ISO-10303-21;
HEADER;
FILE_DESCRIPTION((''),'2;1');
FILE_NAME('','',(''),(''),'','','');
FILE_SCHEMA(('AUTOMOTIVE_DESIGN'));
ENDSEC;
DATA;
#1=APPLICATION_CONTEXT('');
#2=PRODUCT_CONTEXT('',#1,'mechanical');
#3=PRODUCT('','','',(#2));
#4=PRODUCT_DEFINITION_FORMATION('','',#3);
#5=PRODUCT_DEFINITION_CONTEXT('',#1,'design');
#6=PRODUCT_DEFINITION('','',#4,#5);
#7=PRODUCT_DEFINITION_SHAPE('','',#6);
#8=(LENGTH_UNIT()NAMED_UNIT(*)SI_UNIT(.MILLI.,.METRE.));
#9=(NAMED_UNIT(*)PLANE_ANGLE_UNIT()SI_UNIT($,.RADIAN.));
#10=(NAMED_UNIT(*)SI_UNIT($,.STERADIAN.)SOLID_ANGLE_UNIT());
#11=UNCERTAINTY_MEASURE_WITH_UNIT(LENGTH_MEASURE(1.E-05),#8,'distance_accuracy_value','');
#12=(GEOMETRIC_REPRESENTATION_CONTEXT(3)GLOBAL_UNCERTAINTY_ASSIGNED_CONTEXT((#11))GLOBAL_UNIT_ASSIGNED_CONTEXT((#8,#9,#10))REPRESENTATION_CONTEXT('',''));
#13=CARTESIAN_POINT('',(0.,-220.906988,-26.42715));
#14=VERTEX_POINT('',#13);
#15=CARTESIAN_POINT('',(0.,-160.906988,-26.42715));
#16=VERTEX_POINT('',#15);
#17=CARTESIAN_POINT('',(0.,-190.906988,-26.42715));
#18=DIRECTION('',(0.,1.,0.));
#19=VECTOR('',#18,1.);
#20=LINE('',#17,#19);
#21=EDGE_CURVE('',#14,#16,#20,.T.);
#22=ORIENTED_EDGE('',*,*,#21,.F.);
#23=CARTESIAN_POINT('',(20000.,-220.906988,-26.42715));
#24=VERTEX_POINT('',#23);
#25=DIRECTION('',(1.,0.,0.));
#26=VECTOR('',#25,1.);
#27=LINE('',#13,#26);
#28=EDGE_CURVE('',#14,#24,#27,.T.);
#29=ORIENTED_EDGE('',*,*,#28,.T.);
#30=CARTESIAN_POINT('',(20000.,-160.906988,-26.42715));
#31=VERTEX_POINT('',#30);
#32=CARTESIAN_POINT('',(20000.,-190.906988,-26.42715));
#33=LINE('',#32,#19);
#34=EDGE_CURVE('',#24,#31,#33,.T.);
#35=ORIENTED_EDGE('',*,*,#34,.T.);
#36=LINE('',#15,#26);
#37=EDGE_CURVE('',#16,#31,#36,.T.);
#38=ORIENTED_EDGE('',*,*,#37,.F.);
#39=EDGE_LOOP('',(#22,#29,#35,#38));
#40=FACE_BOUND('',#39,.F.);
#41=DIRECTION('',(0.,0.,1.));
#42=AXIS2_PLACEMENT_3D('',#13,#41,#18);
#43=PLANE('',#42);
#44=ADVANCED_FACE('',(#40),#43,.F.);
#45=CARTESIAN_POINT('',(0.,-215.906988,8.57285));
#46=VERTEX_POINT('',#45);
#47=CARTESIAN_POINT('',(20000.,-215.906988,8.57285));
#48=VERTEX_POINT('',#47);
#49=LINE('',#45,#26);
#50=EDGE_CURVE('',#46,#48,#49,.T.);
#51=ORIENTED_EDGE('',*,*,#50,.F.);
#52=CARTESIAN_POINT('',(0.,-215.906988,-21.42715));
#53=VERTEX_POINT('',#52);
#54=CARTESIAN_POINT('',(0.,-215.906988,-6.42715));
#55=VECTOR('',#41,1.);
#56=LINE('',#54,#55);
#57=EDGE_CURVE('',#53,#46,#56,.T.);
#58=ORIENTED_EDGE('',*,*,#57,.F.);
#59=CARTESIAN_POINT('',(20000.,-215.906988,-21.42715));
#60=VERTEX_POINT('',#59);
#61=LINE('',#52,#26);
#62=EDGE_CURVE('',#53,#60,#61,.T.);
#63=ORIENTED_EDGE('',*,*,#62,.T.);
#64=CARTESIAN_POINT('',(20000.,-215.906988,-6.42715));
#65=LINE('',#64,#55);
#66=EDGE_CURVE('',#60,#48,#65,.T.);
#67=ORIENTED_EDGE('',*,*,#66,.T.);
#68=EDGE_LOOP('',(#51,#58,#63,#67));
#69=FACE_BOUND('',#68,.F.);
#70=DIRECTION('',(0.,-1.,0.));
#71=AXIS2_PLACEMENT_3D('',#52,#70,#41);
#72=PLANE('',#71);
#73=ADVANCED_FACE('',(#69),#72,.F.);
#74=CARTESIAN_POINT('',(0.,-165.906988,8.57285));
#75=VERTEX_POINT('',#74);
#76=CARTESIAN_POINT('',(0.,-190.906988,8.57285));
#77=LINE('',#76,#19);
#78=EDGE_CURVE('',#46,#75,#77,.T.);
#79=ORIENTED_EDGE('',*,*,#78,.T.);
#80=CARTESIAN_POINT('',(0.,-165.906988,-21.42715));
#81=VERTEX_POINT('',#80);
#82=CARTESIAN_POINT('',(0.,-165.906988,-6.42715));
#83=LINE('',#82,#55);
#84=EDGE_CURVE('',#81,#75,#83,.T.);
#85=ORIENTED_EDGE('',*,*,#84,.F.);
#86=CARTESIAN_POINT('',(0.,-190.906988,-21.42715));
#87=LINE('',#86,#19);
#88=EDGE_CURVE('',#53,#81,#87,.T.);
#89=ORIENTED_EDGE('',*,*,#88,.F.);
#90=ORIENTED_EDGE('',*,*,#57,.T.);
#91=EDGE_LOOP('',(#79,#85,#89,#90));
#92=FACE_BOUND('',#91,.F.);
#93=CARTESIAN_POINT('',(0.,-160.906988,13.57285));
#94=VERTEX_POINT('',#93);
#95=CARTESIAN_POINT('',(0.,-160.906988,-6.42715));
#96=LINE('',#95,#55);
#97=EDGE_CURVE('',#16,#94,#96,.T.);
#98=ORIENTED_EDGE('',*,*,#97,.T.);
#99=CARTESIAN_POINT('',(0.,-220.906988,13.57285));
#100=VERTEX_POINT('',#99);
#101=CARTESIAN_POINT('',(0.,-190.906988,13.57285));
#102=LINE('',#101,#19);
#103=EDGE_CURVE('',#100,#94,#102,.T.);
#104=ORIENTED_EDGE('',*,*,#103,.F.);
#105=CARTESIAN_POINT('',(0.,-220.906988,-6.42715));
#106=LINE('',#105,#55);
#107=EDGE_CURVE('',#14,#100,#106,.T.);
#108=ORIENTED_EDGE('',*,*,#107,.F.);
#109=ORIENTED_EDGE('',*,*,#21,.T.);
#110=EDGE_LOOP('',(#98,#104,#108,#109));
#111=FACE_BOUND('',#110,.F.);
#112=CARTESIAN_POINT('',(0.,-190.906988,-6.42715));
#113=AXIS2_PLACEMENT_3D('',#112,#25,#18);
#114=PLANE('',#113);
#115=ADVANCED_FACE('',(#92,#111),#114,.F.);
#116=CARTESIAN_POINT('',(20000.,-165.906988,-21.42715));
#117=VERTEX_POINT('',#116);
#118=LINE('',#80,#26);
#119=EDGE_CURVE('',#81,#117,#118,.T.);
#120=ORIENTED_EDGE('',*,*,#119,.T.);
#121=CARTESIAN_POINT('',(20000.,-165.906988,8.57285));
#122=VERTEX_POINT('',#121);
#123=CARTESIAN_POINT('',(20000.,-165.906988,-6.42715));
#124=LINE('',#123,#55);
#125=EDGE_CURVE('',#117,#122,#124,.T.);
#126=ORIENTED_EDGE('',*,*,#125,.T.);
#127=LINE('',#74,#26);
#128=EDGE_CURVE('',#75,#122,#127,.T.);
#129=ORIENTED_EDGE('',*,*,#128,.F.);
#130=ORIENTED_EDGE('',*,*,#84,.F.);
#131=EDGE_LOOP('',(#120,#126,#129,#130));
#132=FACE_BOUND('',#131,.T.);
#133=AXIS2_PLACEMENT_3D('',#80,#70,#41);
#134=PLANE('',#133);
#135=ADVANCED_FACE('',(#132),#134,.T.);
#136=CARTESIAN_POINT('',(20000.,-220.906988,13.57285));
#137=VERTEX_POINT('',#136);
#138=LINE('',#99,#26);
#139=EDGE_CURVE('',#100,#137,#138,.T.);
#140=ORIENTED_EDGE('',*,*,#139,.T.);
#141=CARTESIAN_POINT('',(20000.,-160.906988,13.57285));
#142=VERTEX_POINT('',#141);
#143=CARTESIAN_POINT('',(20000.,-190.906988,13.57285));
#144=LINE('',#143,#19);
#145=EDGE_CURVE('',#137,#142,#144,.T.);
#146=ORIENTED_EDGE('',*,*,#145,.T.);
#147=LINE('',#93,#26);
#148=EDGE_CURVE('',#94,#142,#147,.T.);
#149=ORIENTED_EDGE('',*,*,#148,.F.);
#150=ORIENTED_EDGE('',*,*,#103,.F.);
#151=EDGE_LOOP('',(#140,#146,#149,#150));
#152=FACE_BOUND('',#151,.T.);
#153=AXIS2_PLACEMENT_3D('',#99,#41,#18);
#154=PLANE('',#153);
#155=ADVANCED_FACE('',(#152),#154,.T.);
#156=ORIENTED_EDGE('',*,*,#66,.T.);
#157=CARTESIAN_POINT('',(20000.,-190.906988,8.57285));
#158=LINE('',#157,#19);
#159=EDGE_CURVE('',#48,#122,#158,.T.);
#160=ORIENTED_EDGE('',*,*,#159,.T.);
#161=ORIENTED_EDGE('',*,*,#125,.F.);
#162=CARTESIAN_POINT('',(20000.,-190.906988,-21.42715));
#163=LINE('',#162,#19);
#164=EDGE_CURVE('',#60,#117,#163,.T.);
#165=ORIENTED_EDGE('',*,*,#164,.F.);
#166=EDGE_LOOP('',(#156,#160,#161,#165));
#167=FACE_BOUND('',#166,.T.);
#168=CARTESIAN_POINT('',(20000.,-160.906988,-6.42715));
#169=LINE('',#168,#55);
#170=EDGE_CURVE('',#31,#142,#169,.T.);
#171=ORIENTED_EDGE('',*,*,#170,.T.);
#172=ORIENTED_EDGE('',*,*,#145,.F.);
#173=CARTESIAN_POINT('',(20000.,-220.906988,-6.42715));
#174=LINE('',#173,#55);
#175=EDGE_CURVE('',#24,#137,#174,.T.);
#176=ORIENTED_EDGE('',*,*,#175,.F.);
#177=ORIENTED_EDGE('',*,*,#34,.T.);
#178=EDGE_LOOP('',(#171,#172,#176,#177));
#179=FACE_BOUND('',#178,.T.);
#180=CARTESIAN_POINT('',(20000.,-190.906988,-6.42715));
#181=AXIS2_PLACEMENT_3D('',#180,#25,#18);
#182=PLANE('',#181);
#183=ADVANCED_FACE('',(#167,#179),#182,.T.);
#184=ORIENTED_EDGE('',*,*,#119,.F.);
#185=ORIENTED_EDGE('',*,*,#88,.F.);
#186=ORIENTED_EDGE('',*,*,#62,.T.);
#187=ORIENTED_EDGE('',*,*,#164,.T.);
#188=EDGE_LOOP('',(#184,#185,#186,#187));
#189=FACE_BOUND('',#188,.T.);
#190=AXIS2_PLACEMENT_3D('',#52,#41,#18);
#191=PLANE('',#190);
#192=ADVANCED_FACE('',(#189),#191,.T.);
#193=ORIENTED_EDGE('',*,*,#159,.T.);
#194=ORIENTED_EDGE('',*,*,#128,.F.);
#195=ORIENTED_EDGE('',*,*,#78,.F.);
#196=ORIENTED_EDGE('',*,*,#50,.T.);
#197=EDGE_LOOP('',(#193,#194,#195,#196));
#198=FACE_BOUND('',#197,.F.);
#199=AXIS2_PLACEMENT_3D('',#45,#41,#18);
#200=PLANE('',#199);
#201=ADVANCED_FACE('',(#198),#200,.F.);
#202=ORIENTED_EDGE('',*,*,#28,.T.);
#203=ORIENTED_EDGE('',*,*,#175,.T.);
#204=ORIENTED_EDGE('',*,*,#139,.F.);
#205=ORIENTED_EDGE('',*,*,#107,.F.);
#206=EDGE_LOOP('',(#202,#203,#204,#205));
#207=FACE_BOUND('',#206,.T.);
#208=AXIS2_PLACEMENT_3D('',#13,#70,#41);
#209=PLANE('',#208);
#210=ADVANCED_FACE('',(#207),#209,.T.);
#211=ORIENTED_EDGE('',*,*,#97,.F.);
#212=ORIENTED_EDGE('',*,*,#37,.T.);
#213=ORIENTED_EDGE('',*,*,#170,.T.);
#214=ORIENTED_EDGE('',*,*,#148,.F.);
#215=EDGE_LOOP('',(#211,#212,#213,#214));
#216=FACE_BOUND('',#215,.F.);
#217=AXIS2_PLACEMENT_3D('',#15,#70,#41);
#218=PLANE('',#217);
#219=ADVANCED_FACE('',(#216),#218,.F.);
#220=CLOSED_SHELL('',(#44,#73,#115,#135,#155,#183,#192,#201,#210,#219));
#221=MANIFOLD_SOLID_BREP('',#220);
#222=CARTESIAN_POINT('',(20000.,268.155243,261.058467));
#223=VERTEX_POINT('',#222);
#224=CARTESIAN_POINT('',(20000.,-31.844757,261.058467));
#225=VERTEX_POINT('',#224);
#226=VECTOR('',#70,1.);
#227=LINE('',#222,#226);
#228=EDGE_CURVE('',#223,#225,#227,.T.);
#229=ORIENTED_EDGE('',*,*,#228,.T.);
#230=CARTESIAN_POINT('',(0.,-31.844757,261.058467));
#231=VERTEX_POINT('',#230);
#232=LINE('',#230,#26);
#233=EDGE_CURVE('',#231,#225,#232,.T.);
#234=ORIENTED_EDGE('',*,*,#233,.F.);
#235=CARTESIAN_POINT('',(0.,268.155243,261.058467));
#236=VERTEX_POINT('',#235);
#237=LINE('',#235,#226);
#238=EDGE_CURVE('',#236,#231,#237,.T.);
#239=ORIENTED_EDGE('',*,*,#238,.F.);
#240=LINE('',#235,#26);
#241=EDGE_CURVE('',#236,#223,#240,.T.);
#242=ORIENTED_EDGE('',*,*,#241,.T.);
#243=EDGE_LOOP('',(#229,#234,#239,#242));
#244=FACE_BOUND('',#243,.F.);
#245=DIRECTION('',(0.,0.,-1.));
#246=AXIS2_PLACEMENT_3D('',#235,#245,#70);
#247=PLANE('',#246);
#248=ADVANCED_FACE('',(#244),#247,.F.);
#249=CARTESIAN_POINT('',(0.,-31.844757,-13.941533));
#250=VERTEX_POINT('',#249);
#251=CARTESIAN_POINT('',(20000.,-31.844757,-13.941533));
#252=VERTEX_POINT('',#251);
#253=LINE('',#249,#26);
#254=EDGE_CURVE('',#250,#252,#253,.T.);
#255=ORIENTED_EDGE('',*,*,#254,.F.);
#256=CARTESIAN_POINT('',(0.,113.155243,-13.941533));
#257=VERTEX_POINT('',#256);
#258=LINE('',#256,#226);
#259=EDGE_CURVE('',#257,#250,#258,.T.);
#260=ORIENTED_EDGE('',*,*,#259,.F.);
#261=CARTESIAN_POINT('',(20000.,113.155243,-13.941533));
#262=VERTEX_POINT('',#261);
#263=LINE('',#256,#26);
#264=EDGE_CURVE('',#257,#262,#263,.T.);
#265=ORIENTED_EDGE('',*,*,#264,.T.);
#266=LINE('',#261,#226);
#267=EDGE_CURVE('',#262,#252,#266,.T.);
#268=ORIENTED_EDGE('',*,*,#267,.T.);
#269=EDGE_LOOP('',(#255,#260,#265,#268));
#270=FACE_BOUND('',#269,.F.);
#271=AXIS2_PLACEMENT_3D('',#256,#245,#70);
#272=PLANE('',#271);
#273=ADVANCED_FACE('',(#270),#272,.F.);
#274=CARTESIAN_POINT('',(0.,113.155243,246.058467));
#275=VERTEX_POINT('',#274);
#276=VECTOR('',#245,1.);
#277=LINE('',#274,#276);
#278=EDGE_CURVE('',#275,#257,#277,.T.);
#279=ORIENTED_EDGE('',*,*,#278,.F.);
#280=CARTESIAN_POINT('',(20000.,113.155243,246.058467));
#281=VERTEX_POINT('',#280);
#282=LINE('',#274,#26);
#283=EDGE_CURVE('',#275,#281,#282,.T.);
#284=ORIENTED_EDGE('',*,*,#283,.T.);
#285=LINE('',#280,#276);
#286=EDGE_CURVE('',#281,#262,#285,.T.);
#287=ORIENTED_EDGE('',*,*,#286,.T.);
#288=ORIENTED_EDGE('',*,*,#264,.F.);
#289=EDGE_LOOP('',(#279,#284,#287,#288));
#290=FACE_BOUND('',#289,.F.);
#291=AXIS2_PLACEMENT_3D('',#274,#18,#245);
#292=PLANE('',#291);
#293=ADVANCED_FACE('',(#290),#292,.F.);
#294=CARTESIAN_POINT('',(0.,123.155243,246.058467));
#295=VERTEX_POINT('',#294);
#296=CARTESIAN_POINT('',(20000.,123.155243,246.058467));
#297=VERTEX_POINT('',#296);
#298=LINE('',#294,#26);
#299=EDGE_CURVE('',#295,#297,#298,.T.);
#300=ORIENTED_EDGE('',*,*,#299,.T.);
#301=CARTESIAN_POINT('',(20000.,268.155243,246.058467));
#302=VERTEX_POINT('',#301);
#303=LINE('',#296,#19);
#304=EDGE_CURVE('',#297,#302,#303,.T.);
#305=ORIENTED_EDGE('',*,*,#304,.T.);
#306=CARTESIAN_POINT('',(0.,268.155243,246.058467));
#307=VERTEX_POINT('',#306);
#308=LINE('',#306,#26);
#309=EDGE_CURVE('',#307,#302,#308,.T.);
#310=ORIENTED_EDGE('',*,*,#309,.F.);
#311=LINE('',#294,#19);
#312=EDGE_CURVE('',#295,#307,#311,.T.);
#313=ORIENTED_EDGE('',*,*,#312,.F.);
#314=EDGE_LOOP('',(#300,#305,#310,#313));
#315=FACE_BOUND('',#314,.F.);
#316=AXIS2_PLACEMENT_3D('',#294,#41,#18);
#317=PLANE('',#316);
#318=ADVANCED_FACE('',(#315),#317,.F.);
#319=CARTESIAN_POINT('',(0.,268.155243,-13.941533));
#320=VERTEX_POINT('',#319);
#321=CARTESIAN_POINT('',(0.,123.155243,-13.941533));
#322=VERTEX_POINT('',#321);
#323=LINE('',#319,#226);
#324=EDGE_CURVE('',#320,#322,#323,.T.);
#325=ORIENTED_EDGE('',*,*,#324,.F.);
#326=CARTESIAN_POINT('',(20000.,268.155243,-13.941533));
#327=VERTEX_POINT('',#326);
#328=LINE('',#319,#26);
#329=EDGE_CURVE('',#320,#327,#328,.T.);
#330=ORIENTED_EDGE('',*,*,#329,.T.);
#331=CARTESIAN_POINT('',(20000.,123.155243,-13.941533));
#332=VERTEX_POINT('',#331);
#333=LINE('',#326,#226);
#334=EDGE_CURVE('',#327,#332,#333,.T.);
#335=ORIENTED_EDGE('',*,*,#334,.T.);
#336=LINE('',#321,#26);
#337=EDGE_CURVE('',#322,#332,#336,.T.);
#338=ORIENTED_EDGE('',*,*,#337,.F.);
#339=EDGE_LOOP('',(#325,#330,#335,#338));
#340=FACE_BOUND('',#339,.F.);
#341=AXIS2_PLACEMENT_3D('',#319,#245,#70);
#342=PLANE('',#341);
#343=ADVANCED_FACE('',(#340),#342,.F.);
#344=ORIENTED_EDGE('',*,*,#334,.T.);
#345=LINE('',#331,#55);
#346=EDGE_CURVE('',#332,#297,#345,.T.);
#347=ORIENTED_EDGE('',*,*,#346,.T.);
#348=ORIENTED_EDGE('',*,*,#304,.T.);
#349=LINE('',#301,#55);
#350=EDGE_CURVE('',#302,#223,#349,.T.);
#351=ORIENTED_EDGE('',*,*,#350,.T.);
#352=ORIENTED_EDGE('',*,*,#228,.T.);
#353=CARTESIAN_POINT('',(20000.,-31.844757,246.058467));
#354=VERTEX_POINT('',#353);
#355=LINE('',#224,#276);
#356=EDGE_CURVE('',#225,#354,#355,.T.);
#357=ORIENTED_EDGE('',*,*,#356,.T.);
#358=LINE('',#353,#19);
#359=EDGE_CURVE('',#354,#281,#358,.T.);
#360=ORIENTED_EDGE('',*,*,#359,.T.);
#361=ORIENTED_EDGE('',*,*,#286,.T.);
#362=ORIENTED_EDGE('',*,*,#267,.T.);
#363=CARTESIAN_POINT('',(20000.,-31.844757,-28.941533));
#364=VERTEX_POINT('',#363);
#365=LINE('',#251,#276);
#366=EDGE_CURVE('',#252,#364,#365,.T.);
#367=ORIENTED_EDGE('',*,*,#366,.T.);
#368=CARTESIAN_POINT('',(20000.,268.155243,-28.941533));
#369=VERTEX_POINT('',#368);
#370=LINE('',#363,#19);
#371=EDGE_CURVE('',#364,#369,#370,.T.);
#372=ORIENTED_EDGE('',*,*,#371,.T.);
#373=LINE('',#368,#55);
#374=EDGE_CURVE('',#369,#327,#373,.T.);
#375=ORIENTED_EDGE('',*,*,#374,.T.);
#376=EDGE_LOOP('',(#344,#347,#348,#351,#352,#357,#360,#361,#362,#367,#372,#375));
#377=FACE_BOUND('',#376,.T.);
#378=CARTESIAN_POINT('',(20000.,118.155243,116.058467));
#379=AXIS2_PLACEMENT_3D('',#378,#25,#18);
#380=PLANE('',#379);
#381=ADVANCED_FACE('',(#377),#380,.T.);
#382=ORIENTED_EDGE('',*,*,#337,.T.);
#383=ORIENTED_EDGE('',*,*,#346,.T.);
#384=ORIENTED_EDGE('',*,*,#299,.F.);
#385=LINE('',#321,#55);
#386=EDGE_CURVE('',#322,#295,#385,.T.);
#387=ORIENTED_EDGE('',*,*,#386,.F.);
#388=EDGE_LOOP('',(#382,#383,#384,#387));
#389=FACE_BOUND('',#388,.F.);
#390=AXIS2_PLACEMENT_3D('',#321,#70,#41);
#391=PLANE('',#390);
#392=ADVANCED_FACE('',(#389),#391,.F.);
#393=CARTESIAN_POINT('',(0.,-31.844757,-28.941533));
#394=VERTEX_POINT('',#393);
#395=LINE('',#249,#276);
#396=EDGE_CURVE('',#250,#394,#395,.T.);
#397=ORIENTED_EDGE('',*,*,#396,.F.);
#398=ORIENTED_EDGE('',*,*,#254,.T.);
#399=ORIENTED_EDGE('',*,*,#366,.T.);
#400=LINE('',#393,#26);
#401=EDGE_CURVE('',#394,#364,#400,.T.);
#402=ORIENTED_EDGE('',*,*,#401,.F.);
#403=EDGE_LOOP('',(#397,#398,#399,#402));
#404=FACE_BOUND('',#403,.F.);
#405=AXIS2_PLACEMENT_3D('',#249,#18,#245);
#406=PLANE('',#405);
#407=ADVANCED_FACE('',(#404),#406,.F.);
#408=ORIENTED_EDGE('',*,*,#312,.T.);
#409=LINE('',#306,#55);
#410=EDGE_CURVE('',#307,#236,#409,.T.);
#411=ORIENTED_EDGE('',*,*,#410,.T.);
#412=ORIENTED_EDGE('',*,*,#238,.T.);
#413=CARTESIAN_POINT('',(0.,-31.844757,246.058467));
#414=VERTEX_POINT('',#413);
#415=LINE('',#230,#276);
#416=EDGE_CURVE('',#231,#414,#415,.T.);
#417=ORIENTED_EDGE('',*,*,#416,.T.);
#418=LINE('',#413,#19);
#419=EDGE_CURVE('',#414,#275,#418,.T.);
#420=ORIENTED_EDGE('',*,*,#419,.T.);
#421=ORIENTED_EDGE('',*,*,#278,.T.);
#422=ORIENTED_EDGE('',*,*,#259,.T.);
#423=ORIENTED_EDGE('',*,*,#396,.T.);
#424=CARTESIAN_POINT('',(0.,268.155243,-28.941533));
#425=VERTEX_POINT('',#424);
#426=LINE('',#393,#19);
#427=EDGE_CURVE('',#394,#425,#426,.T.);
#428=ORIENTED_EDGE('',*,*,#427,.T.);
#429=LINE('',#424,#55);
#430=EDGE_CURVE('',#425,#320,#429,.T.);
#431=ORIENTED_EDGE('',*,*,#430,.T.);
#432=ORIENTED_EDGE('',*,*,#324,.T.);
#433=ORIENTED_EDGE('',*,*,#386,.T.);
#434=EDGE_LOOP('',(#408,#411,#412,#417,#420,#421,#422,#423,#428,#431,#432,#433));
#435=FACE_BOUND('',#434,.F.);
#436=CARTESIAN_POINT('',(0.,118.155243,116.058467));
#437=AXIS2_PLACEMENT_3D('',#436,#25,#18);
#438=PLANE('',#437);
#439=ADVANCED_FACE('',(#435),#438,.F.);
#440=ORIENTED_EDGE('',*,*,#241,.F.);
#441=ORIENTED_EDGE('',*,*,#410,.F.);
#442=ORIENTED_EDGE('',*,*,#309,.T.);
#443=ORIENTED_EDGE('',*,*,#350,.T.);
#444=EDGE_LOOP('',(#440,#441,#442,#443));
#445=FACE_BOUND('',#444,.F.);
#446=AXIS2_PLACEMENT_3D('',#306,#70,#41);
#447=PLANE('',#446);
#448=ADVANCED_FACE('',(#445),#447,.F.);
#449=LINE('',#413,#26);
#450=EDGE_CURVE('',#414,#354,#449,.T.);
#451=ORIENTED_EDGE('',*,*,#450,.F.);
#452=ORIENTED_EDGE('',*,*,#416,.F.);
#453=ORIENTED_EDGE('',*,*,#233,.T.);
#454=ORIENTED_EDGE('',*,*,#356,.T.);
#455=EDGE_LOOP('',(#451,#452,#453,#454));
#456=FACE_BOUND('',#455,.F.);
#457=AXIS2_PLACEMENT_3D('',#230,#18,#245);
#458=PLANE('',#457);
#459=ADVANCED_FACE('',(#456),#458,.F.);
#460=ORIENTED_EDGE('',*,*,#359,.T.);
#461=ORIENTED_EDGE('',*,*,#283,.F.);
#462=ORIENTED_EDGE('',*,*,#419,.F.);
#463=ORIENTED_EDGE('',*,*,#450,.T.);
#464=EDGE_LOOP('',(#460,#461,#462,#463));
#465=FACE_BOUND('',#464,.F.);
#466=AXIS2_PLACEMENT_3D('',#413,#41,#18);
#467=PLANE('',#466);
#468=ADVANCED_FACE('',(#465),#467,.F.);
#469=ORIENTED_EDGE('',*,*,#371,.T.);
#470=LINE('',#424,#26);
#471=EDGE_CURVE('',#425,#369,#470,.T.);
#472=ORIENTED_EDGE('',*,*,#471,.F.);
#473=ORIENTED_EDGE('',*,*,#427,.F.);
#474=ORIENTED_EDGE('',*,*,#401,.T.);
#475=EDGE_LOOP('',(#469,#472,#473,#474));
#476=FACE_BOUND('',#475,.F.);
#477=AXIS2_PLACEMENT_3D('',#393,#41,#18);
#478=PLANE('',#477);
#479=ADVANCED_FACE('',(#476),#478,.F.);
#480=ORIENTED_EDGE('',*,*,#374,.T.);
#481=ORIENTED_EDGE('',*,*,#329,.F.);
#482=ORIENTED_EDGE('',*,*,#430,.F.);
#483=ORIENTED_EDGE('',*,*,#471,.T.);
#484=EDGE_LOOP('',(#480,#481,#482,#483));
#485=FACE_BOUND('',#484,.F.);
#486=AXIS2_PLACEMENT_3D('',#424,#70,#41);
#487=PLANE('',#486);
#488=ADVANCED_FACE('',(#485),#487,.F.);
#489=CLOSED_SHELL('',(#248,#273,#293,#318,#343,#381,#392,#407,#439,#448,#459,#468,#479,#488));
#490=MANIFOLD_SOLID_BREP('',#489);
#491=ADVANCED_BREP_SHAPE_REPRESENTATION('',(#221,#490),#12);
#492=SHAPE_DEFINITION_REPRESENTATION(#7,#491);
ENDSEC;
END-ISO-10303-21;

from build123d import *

# Parameters (mm, degrees)
F1_DEPTH = 20000
F2_W     = 60
F2_H     = 40
F2_W_2   = 50
F2_H_2   = 30
F3_DEPTH = 20000


with BuildPart() as f1:
    # F0 (on Right) → F1 (new body)
    with BuildSketch(Plane.YZ):
        Polygon((-31.844757, -13.941533), (-31.844757, -28.941533), (268.155243, -28.941533), (268.155243, -13.941533), (123.155243, -13.941533), (123.155243, 246.058467), (268.155243, 246.058467), (268.155243, 261.058467), (-31.844757, 261.058467), (-31.844757, 246.058467), (113.155243, 246.058467), (113.155243, -13.941533), align=None)
    extrude(amount=F1_DEPTH)


with BuildPart() as f3:
    # F2 (on Right) → F3 (new body)
    with BuildSketch(Plane.YZ):
        with Locations((-190.906988, -6.42715)):
            Rectangle(F2_W, F2_H)
        with Locations((-190.906988, -6.42715)):
            Rectangle(F2_W_2, F2_H_2, mode=Mode.SUBTRACT)
    extrude(amount=F3_DEPTH)


solid = Compound([f1.part, f3.part])
